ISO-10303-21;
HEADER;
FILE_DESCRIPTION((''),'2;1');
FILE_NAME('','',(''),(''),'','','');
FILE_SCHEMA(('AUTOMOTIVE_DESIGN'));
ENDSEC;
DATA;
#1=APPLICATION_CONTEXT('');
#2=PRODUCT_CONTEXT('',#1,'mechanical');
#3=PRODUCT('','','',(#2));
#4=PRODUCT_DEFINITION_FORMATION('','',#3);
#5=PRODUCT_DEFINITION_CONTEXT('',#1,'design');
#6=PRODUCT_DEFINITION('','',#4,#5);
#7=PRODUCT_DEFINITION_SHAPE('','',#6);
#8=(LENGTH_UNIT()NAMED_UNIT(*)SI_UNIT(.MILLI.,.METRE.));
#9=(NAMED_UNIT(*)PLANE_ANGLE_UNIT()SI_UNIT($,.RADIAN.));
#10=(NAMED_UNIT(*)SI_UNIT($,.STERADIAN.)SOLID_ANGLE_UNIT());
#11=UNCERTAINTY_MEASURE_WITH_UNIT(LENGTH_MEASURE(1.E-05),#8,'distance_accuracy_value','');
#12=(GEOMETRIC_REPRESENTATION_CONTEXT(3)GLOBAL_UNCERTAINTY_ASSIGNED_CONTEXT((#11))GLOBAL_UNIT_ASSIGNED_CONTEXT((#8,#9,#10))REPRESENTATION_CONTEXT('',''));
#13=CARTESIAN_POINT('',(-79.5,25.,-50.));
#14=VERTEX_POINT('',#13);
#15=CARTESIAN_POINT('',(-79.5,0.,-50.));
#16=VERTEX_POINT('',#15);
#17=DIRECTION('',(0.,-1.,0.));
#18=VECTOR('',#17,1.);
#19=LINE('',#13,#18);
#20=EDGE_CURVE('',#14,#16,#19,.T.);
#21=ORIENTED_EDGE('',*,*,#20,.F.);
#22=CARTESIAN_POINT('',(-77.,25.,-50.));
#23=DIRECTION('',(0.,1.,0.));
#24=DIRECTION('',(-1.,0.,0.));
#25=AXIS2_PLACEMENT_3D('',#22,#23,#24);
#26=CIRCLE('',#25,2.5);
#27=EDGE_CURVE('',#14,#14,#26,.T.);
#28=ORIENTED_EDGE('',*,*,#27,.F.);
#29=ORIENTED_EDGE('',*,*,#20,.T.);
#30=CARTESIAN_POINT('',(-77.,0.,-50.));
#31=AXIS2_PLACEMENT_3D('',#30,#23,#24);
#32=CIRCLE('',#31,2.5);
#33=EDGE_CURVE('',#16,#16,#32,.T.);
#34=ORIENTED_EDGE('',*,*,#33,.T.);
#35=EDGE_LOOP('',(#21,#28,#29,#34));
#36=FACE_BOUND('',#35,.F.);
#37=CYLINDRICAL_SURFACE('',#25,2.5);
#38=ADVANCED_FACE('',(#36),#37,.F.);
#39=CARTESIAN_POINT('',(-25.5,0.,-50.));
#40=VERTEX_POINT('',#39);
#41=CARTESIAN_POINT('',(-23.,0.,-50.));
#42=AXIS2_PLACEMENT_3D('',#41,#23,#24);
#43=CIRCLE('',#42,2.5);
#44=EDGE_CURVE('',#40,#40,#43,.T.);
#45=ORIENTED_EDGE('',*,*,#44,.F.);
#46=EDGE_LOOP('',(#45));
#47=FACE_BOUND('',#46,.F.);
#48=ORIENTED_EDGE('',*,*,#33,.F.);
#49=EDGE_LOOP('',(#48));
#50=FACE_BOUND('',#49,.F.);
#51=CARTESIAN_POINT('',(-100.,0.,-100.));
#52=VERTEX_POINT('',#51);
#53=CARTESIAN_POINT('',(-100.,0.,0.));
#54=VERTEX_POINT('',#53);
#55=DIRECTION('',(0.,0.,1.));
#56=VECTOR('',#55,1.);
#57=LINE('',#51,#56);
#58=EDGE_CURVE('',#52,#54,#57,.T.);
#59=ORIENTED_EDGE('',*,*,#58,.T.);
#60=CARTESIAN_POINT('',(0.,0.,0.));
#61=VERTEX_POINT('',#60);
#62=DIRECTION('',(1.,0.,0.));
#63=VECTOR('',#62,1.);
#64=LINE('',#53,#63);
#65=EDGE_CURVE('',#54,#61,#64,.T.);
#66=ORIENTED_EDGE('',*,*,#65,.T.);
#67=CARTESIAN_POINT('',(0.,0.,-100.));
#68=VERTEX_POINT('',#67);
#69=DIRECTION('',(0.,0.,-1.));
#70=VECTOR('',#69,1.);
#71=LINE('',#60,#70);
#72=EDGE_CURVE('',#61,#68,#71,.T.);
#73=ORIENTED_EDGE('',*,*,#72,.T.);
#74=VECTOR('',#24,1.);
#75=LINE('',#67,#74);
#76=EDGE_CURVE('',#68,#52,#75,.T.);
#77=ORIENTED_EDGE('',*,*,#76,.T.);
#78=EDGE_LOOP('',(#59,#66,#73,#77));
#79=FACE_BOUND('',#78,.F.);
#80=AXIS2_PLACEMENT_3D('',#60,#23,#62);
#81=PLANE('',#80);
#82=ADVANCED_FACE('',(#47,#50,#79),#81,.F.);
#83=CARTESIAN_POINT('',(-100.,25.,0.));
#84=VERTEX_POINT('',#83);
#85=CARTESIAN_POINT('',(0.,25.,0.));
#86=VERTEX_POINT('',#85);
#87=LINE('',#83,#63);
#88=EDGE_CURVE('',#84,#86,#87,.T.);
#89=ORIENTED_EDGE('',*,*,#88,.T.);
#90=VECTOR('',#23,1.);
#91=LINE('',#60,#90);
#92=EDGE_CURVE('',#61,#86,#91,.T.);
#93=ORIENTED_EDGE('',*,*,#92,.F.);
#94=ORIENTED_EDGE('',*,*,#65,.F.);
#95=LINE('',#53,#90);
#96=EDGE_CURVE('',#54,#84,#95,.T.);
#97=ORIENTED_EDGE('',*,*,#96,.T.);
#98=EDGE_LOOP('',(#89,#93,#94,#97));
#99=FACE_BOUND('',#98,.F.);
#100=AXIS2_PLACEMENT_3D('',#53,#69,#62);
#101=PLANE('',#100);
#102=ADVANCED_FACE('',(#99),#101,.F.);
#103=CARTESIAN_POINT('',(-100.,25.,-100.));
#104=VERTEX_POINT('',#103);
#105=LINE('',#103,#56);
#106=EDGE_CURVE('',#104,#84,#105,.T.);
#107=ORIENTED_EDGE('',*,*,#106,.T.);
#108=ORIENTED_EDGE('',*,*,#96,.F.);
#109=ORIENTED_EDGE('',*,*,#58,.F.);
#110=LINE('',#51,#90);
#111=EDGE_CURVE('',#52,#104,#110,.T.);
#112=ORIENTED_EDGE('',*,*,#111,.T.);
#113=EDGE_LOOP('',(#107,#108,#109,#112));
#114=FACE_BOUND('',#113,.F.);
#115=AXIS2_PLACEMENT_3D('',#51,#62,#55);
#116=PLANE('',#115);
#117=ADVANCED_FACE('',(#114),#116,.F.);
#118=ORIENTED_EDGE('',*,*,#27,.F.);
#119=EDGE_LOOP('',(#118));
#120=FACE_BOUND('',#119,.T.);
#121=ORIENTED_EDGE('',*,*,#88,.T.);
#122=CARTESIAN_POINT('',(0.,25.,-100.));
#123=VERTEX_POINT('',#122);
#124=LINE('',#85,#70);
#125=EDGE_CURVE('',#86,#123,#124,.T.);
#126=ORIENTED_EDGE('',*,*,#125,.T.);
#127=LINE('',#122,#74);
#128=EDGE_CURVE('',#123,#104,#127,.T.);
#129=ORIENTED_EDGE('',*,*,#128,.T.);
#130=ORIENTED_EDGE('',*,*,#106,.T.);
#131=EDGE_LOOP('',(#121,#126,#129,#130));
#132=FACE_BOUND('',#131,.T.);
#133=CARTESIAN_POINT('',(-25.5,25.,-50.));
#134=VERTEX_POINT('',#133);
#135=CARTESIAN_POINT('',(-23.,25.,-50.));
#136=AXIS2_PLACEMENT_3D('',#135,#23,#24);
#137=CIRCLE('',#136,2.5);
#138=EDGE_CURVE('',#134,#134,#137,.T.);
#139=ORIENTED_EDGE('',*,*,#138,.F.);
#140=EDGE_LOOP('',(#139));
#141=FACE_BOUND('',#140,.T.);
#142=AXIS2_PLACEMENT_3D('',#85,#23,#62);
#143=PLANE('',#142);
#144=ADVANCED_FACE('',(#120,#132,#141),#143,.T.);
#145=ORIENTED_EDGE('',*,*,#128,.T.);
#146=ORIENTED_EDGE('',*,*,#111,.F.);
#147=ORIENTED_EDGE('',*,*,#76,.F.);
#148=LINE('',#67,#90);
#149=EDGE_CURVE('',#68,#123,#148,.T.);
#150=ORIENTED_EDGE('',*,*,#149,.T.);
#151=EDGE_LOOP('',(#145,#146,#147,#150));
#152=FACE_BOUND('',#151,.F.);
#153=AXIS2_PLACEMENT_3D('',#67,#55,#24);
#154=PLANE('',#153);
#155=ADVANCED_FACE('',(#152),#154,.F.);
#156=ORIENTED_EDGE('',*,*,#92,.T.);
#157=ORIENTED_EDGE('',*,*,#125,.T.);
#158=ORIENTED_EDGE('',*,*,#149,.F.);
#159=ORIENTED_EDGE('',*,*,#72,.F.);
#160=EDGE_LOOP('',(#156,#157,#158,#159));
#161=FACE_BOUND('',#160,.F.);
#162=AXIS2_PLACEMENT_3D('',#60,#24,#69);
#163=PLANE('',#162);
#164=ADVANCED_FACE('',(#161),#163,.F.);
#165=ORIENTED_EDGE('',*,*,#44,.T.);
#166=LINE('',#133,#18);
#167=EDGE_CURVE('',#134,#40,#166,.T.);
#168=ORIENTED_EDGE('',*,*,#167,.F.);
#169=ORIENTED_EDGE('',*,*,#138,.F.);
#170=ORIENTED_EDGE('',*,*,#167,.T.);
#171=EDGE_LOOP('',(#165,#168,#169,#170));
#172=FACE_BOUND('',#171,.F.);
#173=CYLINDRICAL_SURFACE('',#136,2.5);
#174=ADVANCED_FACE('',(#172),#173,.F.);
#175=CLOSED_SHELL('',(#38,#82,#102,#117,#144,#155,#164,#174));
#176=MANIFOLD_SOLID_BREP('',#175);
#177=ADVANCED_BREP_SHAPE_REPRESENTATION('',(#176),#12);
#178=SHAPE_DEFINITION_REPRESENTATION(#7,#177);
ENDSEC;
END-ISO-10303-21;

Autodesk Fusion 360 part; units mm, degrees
sketch "Sketch1" plane through (0, 0, 0) normal (0, 1, 0) x (1, 0, 0)
  line L0 (0, 0) -> (0, 100)
  line L1 (0, 100) -> (-100, 100)
  line L2 (-100, 100) -> (-100, 0)
  line L3 (-100, 0) -> (0, 0)
  dimension "d1" = 100
  dimension "d2" = 100
  dimension "d3" = 100
extrude "Extrude1" add sketch "Sketch1" along normal blind 25
sketch "Sketch2" plane through (0, 25, 0) normal (0, 1, 0) x (-1, 0, 0)
  line L0 (100, 0) -> (0, 0)
  line L1 (0, 0) -> (0, -100)
  line L2 (0, -100) -> (100, -100)
  line L3 (100, -100) -> (100, 0)
  circle A0 centre (23, -50) radius 2.5
  circle A1 centre (77, -50) radius 2.5
  dimension "d6" = 5
  dimension "d7" = 5
  dimension "d8" = 23
  dimension "d9" = 23
  dimension "d10" = 50
  dimension "d11" = 50
  dimension "d14" = 54
extrude "Extrude2" cut sketch "Sketch2" against normal blind 90 contours A0 | A1
